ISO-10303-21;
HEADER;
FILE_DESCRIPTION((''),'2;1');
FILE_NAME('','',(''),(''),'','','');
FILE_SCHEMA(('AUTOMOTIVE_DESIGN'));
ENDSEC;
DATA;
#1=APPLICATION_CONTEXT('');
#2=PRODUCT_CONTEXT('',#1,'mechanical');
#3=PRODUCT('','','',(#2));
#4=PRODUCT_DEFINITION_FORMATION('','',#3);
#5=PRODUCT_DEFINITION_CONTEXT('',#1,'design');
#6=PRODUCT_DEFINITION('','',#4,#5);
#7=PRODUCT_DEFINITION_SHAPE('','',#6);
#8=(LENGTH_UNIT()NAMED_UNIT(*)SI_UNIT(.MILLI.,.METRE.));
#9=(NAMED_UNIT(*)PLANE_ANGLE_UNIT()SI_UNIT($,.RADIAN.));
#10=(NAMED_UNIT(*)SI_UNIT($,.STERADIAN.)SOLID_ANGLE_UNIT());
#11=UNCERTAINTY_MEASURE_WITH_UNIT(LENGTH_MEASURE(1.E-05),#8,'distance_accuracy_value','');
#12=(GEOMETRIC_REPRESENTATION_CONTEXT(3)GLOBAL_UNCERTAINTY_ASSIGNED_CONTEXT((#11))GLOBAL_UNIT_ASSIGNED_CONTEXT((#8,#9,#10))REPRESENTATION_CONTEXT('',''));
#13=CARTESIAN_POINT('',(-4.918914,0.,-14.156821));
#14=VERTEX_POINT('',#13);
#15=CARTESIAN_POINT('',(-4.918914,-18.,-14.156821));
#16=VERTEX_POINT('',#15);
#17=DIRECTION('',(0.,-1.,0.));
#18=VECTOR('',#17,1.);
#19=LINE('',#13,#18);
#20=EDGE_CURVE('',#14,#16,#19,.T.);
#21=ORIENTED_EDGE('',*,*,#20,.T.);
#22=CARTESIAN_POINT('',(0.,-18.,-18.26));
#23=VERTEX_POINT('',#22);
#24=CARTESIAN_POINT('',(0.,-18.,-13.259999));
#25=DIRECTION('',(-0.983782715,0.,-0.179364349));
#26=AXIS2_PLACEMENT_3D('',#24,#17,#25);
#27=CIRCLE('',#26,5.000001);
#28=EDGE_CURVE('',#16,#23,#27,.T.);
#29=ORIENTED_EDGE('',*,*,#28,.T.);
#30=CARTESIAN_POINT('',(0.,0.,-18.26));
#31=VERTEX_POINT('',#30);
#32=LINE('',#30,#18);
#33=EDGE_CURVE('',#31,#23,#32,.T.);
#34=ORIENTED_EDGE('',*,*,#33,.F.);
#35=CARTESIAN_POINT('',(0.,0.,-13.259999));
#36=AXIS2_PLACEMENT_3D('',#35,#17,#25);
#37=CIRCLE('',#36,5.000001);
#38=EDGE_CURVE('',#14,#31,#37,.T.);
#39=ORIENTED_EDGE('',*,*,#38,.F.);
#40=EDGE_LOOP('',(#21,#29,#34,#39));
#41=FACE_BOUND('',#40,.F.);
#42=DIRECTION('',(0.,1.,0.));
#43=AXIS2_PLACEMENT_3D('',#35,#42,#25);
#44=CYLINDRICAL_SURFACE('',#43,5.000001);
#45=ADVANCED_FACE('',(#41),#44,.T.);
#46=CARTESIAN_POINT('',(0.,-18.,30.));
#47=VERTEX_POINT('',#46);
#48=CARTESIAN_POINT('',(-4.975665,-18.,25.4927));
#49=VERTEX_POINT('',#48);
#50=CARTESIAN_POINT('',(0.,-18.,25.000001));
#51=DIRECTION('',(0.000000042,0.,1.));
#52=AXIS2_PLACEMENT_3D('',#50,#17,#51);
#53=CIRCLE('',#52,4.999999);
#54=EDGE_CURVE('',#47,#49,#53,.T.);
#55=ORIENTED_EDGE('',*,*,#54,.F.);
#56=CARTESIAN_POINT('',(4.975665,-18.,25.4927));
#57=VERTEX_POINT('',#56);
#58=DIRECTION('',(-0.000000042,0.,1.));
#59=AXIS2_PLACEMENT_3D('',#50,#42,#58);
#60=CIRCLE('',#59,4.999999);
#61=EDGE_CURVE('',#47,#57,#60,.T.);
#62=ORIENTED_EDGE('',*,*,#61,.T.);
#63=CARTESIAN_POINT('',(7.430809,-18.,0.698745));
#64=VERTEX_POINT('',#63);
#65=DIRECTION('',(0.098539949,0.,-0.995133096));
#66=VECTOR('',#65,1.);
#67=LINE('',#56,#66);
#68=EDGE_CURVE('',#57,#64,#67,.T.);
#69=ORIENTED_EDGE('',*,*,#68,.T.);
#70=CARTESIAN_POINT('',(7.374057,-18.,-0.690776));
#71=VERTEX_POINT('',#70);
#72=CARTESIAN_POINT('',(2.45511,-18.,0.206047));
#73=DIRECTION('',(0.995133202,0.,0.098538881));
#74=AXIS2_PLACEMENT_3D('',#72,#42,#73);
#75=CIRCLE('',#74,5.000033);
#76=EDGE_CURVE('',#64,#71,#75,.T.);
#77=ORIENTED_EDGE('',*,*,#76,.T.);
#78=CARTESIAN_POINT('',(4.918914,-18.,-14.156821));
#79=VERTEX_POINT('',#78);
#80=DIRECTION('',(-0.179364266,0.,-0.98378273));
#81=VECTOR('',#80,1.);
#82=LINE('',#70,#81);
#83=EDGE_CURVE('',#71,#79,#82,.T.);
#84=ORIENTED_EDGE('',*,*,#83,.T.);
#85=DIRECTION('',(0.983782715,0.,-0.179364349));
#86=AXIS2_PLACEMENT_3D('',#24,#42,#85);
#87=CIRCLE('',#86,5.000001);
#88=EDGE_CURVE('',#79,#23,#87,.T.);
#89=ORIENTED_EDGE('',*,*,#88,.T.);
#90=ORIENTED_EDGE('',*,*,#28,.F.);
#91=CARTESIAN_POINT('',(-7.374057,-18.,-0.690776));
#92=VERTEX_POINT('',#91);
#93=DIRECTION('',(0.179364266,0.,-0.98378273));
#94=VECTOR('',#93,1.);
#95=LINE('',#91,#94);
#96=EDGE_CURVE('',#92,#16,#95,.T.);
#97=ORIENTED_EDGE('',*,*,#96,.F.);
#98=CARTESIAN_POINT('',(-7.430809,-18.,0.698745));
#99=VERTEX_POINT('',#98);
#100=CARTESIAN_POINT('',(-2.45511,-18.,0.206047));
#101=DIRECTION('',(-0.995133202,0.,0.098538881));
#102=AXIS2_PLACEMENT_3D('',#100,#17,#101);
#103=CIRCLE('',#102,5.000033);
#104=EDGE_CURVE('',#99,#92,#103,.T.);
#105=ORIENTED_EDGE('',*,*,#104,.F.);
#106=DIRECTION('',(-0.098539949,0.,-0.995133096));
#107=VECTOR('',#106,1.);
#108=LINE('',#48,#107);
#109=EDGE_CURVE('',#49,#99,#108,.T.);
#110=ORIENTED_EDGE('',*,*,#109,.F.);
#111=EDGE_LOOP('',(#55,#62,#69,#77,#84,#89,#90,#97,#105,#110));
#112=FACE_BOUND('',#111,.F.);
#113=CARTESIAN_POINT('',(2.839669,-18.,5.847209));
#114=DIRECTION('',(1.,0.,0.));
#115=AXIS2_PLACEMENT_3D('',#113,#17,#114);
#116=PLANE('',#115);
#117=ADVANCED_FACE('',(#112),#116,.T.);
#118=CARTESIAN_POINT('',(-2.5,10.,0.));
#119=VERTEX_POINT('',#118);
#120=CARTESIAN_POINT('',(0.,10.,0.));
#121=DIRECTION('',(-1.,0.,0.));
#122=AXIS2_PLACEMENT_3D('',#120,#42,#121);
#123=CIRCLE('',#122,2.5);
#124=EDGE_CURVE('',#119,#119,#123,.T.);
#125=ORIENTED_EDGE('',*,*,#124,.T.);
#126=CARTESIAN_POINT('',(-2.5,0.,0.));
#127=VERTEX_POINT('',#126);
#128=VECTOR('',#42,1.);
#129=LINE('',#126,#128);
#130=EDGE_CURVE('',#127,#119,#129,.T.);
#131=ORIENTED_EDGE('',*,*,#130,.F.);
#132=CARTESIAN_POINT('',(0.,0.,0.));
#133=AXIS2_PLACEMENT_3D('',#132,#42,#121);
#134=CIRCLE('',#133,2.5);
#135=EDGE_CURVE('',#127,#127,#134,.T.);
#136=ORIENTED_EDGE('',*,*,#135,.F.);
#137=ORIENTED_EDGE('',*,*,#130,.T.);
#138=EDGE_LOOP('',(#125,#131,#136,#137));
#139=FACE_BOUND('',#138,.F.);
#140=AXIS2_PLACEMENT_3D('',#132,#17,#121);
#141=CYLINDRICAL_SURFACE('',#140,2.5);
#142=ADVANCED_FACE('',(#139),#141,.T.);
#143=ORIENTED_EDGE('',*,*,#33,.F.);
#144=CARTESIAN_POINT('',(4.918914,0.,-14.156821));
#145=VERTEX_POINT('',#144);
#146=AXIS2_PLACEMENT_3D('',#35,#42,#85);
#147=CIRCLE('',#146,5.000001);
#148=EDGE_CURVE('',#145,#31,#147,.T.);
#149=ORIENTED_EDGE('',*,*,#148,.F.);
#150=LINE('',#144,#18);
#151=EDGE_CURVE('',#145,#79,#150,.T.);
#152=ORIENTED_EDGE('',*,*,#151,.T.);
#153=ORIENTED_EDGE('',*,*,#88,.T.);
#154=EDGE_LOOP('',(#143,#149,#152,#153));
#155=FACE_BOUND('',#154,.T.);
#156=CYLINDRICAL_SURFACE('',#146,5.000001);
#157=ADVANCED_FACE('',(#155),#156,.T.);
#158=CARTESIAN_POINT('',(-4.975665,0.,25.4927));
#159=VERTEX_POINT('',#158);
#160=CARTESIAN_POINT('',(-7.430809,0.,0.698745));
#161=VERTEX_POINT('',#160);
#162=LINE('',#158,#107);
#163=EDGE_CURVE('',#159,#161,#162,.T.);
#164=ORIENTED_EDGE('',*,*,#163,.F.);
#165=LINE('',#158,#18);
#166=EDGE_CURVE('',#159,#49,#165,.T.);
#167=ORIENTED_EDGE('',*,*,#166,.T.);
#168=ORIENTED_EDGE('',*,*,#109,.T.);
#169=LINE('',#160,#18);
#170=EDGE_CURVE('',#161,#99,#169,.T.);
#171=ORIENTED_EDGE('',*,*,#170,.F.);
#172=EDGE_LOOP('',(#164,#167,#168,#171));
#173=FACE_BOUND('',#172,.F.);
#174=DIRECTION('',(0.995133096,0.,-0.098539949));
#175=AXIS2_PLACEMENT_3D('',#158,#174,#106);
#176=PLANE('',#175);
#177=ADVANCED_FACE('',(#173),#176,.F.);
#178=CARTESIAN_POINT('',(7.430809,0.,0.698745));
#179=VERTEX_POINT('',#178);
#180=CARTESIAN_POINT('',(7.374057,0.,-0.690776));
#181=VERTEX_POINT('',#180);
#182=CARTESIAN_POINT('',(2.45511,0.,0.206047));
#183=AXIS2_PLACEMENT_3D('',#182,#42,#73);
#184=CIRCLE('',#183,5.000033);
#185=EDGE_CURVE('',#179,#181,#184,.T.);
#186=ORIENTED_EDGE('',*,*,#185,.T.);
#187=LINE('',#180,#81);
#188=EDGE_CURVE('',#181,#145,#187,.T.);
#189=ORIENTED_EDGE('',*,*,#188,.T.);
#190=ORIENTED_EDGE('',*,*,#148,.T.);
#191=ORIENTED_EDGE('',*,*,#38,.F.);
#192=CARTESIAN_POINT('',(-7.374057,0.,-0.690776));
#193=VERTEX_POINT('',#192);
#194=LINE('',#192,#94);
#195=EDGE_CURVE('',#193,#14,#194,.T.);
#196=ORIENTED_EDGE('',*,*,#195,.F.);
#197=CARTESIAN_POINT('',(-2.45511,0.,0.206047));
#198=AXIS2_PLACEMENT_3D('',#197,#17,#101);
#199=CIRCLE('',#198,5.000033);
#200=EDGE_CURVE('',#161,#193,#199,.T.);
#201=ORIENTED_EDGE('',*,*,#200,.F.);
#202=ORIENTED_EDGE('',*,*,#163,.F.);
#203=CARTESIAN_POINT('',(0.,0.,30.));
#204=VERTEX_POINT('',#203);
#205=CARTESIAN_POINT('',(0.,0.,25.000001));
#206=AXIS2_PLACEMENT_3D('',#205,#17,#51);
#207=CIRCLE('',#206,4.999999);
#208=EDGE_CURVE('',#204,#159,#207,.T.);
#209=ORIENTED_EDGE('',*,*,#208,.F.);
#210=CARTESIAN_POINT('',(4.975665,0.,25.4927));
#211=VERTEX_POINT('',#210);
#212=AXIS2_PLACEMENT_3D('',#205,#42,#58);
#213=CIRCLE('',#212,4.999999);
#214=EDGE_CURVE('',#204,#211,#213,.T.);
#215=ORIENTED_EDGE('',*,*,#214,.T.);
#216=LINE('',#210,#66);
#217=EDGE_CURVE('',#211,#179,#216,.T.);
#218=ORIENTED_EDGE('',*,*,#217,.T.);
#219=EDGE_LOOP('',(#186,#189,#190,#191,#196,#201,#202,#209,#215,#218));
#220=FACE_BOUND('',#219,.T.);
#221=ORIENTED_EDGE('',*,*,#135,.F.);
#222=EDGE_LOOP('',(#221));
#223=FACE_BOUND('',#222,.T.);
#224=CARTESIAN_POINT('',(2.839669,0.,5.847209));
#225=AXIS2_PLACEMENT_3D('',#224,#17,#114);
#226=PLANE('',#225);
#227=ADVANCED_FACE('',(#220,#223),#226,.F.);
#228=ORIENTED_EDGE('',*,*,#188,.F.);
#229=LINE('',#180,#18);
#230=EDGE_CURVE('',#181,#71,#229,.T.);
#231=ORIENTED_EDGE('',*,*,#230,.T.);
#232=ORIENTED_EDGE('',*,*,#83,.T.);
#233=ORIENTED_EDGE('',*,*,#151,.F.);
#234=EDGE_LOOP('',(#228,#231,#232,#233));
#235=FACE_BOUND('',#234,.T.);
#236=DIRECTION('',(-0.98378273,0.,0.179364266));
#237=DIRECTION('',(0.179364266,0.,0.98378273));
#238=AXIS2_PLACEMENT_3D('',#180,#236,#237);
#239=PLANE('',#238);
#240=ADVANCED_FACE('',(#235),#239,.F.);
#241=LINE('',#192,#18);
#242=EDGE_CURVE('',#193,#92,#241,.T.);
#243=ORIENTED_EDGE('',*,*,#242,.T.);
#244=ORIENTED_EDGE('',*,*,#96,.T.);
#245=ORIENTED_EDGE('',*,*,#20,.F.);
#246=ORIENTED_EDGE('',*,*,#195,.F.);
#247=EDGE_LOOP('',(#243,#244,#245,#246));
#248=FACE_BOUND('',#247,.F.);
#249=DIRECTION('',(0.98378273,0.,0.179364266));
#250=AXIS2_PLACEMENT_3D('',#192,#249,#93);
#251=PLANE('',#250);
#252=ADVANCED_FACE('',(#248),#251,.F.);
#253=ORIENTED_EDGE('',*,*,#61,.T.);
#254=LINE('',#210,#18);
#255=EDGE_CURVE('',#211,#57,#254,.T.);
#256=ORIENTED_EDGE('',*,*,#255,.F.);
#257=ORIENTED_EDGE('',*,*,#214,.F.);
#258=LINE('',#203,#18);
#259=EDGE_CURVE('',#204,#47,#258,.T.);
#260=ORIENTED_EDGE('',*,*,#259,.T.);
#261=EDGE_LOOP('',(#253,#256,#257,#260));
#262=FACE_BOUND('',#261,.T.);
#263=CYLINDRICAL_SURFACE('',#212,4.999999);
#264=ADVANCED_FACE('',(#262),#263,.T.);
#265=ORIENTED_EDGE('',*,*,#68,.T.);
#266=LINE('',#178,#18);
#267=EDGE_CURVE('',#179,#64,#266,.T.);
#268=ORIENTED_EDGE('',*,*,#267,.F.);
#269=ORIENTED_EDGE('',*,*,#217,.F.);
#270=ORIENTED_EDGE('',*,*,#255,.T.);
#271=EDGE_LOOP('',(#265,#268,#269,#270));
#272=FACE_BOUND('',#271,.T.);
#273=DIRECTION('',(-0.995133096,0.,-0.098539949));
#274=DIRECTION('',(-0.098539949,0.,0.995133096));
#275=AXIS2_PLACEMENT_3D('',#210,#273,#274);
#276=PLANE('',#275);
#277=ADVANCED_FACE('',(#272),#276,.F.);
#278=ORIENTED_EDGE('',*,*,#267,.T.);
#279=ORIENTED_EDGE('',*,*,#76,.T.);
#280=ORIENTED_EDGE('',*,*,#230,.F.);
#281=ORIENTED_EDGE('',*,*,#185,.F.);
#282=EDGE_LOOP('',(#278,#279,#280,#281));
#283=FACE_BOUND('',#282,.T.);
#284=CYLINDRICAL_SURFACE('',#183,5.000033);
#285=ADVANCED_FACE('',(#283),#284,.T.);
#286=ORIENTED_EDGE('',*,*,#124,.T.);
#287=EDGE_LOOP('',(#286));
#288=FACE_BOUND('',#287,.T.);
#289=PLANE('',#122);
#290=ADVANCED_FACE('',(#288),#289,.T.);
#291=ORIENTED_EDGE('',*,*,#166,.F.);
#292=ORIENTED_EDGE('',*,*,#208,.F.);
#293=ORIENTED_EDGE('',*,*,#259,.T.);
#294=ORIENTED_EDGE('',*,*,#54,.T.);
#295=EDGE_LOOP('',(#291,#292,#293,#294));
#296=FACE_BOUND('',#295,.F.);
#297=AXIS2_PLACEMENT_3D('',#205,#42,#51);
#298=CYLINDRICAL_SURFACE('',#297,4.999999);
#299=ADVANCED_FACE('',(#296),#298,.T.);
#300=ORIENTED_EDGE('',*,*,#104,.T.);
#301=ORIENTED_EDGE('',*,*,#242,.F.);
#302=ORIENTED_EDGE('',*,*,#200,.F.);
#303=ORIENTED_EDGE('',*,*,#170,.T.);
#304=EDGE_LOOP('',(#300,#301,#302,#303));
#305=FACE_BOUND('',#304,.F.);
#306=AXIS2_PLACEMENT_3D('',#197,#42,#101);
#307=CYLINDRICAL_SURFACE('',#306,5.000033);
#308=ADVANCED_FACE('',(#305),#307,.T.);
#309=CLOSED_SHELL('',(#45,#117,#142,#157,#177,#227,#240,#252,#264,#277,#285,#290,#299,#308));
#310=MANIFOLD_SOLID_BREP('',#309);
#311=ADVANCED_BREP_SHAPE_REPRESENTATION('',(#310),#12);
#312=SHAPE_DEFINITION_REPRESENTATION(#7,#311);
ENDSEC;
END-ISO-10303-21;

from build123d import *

# Parameters (mm, degrees)
F1_DEPTH = 18
F3_R     = 2.5
F4_DEPTH = 10


with BuildPart() as f1:
    # F0 (on Front) → F1 (new body)
    with BuildSketch(Plane.XZ):
        with BuildLine():
            Line((0, -18.26), (0, 30))
            ThreePointArc((0, 30), (-3.356822, 28.705637), (-4.975665, 25.4927))
            Line((-4.975665, 25.4927), (-7.430809, 0.698745))
            ThreePointArc((-7.430809, 0.698745), (-7.450978, 0.002002), (-7.374057, -0.690776))
            Line((-7.374057, -0.690776), (-4.918914, -14.156821))
            ThreePointArc((-4.918914, -14.156821), (-3.202803, -17.099538), (0, -18.26))
        make_face()
    extrude(amount=F1_DEPTH)

    # F2: F1 across plane


with BuildPart() as f1_1:
    add(f1.part)
    add(f1.part.mirror(Plane.YZ))

    # F3 (on face) → F4 (join)
    with BuildSketch(Plane(origin=(0, 0, 0), x_dir=(-1, 0, 0), z_dir=(0, 1, 0))):
        Circle(F3_R)
    extrude(amount=F4_DEPTH)


solid = f1_1.part
